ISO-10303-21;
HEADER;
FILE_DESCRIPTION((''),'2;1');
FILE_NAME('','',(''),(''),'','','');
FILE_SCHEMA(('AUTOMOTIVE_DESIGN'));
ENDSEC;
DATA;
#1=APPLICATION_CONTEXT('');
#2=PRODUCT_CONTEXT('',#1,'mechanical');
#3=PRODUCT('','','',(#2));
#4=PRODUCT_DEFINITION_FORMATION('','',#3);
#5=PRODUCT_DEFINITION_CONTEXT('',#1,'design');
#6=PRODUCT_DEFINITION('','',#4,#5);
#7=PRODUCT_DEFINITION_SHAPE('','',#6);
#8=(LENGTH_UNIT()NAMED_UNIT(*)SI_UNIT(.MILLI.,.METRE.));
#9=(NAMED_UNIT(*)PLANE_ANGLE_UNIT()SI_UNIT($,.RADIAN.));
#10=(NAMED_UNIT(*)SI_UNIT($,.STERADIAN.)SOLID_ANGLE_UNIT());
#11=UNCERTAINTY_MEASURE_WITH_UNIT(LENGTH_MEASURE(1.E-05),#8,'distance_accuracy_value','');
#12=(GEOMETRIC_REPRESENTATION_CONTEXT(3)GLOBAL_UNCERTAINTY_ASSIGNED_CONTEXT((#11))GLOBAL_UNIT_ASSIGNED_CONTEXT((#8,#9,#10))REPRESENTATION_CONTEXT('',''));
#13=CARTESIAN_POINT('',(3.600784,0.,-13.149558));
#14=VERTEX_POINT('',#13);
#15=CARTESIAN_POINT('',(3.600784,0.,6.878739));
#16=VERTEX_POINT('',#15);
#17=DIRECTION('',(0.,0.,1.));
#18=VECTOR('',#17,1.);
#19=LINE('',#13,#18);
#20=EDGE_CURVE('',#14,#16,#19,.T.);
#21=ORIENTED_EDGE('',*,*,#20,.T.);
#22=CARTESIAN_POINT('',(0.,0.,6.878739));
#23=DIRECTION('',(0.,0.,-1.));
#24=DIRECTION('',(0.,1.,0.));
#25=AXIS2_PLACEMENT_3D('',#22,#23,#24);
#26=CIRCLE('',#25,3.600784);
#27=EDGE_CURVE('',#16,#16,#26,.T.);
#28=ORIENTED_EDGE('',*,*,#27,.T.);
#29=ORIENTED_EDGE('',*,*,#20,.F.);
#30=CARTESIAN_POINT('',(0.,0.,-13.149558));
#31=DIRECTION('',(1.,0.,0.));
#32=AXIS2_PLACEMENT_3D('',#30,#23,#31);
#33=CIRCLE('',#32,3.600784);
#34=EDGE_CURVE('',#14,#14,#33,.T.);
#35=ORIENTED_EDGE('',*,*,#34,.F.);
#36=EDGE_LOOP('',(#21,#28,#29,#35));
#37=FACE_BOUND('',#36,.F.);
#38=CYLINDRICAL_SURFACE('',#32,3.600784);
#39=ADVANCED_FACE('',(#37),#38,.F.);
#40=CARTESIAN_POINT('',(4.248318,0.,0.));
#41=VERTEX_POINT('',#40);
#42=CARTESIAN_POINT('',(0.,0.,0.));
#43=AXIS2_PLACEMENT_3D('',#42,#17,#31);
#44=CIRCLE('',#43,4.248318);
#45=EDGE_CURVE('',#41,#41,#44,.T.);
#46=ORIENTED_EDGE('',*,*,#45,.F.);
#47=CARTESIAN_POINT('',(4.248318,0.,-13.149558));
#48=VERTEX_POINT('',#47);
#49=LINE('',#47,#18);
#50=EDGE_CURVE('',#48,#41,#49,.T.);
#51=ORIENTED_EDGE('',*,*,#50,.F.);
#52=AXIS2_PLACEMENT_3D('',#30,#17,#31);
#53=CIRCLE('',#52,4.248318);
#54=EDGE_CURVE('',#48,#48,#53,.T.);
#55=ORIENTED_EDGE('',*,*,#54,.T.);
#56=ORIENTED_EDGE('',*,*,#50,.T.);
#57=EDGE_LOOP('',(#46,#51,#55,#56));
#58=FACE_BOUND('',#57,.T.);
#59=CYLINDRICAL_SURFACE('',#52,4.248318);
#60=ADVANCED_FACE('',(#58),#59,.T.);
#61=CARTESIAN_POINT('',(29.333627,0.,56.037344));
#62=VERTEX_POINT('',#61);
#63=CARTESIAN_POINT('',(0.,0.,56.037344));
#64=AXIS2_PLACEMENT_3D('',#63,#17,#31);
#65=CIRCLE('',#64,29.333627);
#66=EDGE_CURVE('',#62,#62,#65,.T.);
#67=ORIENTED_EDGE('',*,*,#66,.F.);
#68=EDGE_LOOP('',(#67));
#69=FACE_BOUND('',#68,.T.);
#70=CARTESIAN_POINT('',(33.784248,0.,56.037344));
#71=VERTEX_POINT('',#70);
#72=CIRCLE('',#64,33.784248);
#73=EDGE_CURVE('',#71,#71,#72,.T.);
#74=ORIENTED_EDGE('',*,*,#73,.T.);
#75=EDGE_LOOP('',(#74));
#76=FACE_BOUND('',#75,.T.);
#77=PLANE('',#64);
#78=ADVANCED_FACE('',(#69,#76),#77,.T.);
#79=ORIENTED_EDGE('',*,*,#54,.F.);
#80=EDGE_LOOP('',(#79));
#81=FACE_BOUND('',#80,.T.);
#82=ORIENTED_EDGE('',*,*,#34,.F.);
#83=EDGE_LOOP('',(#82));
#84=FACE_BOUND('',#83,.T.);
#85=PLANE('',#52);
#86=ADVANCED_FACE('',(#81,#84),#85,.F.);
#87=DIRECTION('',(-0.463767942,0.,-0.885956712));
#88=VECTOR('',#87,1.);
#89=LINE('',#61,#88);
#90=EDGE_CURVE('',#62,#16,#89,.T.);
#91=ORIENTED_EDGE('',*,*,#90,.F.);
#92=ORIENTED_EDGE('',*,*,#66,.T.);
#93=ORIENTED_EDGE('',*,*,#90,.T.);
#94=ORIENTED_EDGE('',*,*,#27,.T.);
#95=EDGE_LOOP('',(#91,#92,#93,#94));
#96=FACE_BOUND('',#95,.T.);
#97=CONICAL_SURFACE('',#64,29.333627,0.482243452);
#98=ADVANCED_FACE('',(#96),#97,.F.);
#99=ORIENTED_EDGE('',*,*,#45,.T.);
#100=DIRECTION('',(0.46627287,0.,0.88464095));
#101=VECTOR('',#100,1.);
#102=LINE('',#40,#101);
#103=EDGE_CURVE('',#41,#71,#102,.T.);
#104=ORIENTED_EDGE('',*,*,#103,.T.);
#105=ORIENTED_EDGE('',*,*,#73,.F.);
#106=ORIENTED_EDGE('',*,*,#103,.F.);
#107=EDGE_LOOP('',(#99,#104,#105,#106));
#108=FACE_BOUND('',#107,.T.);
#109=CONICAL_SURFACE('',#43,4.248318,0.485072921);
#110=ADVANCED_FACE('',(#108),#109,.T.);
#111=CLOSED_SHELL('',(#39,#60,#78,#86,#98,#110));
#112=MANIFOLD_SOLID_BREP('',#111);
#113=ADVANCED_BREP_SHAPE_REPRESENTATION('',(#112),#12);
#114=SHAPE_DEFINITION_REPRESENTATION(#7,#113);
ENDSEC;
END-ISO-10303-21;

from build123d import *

# Parameters (mm, degrees)
F2_R     = 3.600784
F3_DEPTH = 25.4


with BuildPart() as f1:
    # F0 (on Front) → F1 (revolve)
    with BuildSketch(Plane.XZ):
        Polygon((33.784248, 56.037344), (29.333627, 56.037344), (0, 0), (0, -13.149558), (4.248318, -13.149558), (4.248318, 0), align=None)
    revolve(axis=Axis((0, 0, -6.574779), (0, 0, 1)))

    # F2 (on face) → F3 (cut)
    with BuildSketch(Plane(origin=(0, 0, -13.149558), x_dir=(1, 0, 0), z_dir=(0, 0, -1))):
        Circle(F2_R)
    extrude(amount=-F3_DEPTH, mode=Mode.SUBTRACT)


solid = f1.part
